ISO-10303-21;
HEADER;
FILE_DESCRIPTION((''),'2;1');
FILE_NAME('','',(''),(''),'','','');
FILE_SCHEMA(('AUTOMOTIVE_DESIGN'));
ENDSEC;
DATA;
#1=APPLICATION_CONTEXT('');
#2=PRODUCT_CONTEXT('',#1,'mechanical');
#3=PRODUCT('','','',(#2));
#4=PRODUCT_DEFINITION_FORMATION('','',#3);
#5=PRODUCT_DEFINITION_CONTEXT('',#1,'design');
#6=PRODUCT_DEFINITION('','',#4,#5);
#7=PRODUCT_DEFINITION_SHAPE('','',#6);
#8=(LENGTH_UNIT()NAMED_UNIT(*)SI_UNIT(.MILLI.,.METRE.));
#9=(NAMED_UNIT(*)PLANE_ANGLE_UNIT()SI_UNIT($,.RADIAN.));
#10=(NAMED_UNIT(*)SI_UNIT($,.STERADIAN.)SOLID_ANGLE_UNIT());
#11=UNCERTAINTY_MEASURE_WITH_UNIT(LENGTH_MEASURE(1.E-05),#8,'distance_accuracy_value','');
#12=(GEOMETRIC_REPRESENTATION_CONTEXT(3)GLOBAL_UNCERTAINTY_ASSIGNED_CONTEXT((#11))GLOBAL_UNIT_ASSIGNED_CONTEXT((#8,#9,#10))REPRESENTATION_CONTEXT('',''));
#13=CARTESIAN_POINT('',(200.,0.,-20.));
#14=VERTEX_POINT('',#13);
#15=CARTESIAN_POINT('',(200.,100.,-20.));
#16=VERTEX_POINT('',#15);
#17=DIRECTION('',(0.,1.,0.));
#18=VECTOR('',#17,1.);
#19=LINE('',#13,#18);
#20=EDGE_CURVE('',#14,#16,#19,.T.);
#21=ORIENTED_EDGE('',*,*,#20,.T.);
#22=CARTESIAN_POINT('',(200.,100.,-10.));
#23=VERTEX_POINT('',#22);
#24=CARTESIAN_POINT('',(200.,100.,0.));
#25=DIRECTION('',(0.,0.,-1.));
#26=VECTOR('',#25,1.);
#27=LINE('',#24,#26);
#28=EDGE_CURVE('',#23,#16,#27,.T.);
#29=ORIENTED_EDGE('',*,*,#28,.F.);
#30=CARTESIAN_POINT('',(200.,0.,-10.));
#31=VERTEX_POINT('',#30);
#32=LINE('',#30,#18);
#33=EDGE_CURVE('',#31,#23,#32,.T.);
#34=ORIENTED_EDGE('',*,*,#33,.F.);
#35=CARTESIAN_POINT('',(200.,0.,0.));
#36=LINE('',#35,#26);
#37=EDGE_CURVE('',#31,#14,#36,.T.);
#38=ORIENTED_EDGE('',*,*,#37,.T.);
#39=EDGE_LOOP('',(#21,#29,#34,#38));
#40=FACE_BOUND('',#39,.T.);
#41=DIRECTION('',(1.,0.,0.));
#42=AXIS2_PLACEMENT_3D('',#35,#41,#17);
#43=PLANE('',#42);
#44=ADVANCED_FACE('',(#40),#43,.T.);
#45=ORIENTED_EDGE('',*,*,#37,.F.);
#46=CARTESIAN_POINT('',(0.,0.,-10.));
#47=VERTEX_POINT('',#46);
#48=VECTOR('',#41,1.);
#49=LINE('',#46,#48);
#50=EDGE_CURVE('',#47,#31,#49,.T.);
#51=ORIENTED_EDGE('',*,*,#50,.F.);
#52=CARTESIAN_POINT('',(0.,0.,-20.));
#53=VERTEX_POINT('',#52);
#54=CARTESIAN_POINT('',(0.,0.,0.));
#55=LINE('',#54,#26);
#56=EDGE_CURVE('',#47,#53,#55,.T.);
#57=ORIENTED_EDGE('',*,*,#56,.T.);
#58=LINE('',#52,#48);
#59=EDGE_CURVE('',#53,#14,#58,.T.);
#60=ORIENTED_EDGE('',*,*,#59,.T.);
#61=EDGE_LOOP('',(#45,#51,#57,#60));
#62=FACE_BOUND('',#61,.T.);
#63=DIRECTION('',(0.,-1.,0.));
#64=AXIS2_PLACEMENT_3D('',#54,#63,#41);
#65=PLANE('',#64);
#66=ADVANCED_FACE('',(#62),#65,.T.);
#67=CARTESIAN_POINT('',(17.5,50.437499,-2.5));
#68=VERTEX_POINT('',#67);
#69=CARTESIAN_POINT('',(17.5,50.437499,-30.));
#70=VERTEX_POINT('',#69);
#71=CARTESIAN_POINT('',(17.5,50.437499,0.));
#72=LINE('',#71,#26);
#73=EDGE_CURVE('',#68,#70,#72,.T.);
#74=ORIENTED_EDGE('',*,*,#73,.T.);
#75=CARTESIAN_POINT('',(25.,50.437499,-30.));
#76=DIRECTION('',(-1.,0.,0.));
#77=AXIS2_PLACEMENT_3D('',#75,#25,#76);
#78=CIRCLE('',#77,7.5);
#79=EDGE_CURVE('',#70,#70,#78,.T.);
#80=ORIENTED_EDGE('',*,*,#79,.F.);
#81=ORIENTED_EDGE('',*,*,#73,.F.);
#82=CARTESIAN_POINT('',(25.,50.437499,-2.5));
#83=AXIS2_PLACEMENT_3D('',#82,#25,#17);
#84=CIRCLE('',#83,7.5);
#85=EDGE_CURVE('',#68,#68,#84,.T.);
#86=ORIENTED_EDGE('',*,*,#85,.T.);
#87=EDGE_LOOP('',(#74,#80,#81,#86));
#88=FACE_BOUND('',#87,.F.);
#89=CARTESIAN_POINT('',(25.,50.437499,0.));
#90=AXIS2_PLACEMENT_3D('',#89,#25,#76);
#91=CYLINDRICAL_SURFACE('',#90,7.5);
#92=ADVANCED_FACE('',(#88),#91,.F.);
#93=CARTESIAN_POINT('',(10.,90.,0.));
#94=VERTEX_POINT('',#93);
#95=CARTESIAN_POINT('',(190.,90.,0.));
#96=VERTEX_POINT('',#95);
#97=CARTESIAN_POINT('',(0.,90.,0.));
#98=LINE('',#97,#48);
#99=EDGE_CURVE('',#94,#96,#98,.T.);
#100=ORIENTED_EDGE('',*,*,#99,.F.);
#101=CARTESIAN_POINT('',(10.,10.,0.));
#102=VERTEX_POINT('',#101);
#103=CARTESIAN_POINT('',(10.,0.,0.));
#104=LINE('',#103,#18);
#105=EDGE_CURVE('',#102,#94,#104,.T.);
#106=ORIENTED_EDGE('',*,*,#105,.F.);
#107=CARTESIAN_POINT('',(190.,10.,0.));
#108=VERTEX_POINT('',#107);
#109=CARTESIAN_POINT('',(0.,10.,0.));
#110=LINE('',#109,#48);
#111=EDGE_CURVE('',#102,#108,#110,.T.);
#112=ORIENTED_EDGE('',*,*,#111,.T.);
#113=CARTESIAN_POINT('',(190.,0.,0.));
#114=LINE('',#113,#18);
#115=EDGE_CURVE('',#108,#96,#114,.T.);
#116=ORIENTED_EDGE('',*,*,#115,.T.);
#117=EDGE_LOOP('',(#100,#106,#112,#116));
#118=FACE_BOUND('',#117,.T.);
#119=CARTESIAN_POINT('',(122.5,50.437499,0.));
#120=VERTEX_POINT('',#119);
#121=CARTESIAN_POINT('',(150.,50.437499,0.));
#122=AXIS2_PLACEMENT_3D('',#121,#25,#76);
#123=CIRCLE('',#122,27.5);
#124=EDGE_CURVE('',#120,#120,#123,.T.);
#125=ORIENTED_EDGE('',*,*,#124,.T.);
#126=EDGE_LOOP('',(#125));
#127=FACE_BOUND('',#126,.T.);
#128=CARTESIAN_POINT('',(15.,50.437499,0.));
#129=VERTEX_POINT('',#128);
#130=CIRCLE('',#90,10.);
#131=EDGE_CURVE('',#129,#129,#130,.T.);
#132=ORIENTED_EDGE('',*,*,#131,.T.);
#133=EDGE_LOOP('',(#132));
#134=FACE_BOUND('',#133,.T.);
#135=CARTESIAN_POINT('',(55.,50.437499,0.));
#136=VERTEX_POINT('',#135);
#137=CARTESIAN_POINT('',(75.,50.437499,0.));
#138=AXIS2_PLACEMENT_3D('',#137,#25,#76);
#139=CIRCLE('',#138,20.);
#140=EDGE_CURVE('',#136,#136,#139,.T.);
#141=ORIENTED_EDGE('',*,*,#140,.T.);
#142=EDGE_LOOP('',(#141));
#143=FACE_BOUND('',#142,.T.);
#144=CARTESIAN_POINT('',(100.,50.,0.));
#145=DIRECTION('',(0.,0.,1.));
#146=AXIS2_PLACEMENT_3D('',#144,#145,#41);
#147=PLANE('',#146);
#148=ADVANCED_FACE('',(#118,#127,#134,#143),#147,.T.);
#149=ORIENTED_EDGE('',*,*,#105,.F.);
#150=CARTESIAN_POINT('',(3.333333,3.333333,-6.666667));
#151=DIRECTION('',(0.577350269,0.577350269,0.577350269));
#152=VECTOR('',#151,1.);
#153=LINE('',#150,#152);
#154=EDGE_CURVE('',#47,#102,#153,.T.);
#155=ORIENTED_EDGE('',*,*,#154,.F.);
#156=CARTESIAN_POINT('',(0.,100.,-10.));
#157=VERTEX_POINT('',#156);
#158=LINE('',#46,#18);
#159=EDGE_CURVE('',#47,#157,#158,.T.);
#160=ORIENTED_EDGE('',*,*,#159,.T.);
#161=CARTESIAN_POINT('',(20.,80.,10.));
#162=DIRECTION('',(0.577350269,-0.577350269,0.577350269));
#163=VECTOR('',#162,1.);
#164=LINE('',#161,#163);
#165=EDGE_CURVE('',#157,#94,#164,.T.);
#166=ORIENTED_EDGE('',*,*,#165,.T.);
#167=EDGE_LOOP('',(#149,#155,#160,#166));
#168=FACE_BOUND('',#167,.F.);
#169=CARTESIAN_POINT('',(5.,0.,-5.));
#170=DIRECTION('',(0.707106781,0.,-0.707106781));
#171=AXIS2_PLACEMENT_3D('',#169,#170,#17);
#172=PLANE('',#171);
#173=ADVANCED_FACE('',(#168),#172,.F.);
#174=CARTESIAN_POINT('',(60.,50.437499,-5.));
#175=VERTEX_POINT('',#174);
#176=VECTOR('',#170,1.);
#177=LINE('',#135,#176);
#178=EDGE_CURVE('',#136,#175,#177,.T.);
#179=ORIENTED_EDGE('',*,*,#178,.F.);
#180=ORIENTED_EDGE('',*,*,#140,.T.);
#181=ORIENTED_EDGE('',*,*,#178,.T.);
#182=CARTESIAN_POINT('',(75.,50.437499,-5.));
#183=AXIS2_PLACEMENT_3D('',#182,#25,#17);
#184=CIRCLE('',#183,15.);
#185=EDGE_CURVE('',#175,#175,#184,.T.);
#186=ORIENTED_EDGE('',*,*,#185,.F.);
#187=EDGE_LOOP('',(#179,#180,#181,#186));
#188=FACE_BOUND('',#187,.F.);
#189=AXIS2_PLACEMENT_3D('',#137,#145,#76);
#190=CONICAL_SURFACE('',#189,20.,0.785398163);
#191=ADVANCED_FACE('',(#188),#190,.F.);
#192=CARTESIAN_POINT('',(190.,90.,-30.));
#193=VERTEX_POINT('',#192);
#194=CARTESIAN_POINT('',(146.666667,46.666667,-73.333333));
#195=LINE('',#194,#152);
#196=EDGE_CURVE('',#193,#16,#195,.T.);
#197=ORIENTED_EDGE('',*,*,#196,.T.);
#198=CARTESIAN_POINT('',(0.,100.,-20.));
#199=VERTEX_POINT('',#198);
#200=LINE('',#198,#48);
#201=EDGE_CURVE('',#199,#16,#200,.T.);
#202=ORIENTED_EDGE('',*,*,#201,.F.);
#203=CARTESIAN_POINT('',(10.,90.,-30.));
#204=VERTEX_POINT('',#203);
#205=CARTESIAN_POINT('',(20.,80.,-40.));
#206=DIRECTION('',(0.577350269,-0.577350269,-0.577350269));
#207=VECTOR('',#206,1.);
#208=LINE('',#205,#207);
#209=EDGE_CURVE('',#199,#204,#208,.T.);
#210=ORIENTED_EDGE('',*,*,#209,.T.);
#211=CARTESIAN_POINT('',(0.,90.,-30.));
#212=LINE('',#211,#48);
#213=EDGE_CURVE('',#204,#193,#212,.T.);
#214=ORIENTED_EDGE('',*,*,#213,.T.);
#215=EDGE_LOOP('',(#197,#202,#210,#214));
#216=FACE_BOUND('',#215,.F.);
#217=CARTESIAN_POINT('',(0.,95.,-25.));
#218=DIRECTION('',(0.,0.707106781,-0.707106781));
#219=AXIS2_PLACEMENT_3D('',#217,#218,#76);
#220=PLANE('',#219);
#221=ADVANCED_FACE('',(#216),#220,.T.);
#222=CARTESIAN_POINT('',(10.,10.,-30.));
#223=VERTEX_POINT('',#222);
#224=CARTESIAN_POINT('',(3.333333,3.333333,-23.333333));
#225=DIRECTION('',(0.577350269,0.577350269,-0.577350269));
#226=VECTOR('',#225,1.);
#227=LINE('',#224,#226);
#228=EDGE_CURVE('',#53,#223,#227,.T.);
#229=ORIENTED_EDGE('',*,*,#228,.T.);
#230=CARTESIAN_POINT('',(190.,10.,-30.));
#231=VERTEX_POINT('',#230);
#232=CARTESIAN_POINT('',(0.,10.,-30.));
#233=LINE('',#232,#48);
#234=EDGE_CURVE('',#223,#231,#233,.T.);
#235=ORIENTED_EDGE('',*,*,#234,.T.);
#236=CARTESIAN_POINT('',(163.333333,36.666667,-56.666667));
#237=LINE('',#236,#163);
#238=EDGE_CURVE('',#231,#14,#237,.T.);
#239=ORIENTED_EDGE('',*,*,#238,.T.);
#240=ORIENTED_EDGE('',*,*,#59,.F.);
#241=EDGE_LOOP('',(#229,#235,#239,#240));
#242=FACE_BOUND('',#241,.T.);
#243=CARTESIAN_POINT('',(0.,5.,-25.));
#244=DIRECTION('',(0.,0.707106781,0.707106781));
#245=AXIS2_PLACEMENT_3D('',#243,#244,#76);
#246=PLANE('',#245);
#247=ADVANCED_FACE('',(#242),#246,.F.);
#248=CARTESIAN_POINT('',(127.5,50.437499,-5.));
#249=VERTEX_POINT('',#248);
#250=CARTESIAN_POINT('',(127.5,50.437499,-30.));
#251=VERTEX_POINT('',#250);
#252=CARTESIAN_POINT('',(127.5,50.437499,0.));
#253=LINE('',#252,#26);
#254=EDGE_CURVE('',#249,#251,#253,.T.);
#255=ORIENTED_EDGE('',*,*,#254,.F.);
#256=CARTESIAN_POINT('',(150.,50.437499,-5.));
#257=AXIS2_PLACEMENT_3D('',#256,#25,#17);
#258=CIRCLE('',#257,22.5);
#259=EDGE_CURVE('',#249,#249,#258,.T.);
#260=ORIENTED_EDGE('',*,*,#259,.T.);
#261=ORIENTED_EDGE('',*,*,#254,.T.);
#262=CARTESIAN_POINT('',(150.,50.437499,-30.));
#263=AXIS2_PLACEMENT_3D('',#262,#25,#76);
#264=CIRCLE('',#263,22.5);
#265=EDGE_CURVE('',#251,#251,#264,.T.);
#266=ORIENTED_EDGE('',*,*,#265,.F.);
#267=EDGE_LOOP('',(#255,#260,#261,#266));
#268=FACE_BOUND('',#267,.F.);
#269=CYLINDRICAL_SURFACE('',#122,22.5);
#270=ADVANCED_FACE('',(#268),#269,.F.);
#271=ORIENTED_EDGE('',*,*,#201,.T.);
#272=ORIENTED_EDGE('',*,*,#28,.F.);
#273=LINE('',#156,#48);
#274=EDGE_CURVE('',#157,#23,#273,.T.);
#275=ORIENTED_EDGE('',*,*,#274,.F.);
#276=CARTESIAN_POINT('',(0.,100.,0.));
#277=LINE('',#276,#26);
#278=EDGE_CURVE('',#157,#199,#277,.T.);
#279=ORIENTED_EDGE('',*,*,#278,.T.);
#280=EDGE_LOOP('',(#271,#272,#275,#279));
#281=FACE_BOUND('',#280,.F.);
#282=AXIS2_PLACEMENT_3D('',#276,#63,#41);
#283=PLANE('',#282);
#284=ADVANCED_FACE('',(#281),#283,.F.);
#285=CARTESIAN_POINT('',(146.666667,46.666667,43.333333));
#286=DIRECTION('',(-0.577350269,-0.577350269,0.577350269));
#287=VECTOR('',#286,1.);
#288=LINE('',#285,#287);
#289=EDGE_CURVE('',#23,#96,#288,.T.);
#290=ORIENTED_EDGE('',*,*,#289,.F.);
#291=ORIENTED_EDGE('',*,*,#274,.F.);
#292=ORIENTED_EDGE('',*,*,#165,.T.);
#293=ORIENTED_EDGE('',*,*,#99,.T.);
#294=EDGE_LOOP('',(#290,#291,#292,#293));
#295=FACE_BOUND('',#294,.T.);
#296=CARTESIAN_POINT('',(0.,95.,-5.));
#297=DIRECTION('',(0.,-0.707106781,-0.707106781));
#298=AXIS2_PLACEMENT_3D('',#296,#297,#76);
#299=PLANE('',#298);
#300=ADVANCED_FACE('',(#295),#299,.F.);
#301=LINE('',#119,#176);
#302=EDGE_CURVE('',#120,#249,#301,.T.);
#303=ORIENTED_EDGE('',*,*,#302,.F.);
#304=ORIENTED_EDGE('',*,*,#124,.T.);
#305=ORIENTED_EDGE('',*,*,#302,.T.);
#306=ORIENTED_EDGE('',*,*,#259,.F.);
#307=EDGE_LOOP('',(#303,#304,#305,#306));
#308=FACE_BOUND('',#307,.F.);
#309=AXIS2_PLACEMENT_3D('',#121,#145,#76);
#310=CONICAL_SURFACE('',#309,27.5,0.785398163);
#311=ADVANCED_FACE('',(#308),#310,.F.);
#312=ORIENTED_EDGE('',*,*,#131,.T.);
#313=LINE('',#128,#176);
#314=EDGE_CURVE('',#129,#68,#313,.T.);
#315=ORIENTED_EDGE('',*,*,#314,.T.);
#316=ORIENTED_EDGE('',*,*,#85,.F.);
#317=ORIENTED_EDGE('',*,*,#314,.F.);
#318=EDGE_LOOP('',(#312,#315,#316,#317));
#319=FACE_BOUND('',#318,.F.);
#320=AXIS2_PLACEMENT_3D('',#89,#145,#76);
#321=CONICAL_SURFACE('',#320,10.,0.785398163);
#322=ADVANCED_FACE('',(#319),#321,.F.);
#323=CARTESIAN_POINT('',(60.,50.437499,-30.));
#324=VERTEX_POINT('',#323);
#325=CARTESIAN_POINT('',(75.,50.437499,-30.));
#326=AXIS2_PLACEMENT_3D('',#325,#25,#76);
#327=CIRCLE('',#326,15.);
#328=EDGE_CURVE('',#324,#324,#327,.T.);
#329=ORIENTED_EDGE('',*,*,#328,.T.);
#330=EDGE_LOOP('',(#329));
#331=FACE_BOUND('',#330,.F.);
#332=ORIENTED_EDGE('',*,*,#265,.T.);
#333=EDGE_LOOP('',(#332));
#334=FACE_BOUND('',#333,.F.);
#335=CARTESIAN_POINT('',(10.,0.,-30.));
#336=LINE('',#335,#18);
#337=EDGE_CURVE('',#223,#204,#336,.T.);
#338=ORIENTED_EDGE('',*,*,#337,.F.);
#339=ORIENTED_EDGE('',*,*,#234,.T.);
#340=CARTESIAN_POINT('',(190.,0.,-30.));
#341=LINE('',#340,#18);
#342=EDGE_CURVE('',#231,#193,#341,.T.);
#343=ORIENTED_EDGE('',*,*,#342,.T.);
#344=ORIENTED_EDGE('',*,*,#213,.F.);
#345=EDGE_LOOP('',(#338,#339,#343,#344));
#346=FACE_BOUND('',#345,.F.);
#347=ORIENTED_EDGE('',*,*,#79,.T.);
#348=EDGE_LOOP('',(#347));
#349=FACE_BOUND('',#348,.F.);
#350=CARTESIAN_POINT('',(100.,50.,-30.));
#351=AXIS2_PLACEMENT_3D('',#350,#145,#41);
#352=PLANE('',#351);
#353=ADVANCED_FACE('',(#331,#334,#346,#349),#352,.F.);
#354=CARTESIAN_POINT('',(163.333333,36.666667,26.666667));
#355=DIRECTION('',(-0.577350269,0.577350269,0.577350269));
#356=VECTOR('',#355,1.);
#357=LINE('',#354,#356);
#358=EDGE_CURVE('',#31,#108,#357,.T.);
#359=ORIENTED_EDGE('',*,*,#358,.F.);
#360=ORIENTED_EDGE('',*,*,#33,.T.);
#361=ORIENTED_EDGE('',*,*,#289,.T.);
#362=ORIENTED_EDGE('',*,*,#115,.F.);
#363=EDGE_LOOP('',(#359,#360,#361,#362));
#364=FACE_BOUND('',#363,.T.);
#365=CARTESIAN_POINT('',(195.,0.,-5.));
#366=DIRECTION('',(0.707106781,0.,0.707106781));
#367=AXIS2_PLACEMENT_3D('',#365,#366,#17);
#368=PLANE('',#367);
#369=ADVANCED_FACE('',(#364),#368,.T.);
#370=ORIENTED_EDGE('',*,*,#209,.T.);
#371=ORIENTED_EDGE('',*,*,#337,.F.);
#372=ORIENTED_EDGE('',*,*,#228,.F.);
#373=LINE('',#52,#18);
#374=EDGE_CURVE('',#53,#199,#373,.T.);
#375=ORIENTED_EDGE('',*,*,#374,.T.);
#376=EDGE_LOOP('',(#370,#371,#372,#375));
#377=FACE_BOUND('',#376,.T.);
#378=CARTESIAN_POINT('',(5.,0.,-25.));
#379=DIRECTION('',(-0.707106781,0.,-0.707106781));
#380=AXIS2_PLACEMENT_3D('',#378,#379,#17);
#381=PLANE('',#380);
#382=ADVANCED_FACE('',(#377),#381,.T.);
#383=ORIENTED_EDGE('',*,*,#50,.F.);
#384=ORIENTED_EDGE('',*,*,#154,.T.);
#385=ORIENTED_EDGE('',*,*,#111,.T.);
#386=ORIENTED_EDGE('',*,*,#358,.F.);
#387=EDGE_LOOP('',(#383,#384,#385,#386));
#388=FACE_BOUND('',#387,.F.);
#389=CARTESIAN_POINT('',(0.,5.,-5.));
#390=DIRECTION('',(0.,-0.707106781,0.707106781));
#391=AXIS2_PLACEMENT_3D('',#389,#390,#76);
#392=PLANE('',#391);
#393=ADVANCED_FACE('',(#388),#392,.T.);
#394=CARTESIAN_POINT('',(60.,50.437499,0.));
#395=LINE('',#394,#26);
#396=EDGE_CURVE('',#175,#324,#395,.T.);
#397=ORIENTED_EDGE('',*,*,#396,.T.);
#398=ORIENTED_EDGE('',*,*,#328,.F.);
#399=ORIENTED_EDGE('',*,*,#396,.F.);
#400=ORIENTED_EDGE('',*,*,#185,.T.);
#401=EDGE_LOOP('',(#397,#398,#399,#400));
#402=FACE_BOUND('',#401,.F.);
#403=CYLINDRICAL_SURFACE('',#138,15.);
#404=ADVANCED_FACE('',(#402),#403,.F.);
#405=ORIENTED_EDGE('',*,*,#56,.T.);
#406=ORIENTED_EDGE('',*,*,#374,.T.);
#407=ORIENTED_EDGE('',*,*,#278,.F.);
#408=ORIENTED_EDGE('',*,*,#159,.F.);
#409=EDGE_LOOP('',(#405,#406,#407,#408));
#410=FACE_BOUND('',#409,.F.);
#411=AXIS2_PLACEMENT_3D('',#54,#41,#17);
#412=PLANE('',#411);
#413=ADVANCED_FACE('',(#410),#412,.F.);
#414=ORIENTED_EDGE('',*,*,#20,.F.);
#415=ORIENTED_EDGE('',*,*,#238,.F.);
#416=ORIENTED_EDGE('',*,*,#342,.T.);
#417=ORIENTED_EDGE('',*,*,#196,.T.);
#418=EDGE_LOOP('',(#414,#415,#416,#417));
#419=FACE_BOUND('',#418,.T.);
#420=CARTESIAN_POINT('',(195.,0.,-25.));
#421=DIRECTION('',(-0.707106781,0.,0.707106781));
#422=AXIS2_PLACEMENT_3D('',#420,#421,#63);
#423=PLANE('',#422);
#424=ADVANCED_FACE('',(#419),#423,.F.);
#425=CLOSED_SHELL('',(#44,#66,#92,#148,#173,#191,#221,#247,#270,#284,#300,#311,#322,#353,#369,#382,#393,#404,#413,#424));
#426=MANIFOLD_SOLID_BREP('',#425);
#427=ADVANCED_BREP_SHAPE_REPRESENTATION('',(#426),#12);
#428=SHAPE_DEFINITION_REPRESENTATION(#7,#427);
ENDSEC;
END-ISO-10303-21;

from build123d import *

# Parameters (mm, degrees)
F0_W           = 200
F0_H           = 100
F1_DEPTH       = 30
F2_D           = 15
F2_CSINK_D     = 20
F2_CSINK_ANGLE = 90
F3_D           = 30
F3_CSINK_D     = 40
F3_CSINK_ANGLE = 90
F4_D           = 45
F4_CSINK_D     = 55
F4_CSINK_ANGLE = 90
F5_SIZE        = 10


with BuildPart() as f1:
    # F0 (on Top) → F1 (new body)
    with BuildSketch(Plane.XY):
        with Locations((100, 50)):
            Rectangle(F0_W, F0_H)
    extrude(amount=-F1_DEPTH)

    # F2 (through all)
    with Locations(Plane.XY):
        with Locations((25, 50.437499)):
            CounterSinkHole(F2_D / 2, F2_CSINK_D / 2, counter_sink_angle=F2_CSINK_ANGLE)

    # F3 (through all)
    with Locations(Plane.XY):
        with Locations((75, 50.437499)):
            CounterSinkHole(F3_D / 2, F3_CSINK_D / 2, counter_sink_angle=F3_CSINK_ANGLE)

    # F4 (through all)
    with Locations(Plane.XY):
        with Locations((150, 50.437499)):
            CounterSinkHole(F4_D / 2, F4_CSINK_D / 2, counter_sink_angle=F4_CSINK_ANGLE)

    # F5
    f5_edges = [f1.edges().sort_by_distance(p)[0] for p in [
        (200, 50, 0),
        (200, 50, -30),
        (0, 50, 0),
        (0, 50, -30),
        (100, 100, 0),
        (100, 100, -30),
        (100, 0, 0),
        (100, 0, -30),
    ]]
    chamfer(f5_edges, length=F5_SIZE)


solid = f1.part
